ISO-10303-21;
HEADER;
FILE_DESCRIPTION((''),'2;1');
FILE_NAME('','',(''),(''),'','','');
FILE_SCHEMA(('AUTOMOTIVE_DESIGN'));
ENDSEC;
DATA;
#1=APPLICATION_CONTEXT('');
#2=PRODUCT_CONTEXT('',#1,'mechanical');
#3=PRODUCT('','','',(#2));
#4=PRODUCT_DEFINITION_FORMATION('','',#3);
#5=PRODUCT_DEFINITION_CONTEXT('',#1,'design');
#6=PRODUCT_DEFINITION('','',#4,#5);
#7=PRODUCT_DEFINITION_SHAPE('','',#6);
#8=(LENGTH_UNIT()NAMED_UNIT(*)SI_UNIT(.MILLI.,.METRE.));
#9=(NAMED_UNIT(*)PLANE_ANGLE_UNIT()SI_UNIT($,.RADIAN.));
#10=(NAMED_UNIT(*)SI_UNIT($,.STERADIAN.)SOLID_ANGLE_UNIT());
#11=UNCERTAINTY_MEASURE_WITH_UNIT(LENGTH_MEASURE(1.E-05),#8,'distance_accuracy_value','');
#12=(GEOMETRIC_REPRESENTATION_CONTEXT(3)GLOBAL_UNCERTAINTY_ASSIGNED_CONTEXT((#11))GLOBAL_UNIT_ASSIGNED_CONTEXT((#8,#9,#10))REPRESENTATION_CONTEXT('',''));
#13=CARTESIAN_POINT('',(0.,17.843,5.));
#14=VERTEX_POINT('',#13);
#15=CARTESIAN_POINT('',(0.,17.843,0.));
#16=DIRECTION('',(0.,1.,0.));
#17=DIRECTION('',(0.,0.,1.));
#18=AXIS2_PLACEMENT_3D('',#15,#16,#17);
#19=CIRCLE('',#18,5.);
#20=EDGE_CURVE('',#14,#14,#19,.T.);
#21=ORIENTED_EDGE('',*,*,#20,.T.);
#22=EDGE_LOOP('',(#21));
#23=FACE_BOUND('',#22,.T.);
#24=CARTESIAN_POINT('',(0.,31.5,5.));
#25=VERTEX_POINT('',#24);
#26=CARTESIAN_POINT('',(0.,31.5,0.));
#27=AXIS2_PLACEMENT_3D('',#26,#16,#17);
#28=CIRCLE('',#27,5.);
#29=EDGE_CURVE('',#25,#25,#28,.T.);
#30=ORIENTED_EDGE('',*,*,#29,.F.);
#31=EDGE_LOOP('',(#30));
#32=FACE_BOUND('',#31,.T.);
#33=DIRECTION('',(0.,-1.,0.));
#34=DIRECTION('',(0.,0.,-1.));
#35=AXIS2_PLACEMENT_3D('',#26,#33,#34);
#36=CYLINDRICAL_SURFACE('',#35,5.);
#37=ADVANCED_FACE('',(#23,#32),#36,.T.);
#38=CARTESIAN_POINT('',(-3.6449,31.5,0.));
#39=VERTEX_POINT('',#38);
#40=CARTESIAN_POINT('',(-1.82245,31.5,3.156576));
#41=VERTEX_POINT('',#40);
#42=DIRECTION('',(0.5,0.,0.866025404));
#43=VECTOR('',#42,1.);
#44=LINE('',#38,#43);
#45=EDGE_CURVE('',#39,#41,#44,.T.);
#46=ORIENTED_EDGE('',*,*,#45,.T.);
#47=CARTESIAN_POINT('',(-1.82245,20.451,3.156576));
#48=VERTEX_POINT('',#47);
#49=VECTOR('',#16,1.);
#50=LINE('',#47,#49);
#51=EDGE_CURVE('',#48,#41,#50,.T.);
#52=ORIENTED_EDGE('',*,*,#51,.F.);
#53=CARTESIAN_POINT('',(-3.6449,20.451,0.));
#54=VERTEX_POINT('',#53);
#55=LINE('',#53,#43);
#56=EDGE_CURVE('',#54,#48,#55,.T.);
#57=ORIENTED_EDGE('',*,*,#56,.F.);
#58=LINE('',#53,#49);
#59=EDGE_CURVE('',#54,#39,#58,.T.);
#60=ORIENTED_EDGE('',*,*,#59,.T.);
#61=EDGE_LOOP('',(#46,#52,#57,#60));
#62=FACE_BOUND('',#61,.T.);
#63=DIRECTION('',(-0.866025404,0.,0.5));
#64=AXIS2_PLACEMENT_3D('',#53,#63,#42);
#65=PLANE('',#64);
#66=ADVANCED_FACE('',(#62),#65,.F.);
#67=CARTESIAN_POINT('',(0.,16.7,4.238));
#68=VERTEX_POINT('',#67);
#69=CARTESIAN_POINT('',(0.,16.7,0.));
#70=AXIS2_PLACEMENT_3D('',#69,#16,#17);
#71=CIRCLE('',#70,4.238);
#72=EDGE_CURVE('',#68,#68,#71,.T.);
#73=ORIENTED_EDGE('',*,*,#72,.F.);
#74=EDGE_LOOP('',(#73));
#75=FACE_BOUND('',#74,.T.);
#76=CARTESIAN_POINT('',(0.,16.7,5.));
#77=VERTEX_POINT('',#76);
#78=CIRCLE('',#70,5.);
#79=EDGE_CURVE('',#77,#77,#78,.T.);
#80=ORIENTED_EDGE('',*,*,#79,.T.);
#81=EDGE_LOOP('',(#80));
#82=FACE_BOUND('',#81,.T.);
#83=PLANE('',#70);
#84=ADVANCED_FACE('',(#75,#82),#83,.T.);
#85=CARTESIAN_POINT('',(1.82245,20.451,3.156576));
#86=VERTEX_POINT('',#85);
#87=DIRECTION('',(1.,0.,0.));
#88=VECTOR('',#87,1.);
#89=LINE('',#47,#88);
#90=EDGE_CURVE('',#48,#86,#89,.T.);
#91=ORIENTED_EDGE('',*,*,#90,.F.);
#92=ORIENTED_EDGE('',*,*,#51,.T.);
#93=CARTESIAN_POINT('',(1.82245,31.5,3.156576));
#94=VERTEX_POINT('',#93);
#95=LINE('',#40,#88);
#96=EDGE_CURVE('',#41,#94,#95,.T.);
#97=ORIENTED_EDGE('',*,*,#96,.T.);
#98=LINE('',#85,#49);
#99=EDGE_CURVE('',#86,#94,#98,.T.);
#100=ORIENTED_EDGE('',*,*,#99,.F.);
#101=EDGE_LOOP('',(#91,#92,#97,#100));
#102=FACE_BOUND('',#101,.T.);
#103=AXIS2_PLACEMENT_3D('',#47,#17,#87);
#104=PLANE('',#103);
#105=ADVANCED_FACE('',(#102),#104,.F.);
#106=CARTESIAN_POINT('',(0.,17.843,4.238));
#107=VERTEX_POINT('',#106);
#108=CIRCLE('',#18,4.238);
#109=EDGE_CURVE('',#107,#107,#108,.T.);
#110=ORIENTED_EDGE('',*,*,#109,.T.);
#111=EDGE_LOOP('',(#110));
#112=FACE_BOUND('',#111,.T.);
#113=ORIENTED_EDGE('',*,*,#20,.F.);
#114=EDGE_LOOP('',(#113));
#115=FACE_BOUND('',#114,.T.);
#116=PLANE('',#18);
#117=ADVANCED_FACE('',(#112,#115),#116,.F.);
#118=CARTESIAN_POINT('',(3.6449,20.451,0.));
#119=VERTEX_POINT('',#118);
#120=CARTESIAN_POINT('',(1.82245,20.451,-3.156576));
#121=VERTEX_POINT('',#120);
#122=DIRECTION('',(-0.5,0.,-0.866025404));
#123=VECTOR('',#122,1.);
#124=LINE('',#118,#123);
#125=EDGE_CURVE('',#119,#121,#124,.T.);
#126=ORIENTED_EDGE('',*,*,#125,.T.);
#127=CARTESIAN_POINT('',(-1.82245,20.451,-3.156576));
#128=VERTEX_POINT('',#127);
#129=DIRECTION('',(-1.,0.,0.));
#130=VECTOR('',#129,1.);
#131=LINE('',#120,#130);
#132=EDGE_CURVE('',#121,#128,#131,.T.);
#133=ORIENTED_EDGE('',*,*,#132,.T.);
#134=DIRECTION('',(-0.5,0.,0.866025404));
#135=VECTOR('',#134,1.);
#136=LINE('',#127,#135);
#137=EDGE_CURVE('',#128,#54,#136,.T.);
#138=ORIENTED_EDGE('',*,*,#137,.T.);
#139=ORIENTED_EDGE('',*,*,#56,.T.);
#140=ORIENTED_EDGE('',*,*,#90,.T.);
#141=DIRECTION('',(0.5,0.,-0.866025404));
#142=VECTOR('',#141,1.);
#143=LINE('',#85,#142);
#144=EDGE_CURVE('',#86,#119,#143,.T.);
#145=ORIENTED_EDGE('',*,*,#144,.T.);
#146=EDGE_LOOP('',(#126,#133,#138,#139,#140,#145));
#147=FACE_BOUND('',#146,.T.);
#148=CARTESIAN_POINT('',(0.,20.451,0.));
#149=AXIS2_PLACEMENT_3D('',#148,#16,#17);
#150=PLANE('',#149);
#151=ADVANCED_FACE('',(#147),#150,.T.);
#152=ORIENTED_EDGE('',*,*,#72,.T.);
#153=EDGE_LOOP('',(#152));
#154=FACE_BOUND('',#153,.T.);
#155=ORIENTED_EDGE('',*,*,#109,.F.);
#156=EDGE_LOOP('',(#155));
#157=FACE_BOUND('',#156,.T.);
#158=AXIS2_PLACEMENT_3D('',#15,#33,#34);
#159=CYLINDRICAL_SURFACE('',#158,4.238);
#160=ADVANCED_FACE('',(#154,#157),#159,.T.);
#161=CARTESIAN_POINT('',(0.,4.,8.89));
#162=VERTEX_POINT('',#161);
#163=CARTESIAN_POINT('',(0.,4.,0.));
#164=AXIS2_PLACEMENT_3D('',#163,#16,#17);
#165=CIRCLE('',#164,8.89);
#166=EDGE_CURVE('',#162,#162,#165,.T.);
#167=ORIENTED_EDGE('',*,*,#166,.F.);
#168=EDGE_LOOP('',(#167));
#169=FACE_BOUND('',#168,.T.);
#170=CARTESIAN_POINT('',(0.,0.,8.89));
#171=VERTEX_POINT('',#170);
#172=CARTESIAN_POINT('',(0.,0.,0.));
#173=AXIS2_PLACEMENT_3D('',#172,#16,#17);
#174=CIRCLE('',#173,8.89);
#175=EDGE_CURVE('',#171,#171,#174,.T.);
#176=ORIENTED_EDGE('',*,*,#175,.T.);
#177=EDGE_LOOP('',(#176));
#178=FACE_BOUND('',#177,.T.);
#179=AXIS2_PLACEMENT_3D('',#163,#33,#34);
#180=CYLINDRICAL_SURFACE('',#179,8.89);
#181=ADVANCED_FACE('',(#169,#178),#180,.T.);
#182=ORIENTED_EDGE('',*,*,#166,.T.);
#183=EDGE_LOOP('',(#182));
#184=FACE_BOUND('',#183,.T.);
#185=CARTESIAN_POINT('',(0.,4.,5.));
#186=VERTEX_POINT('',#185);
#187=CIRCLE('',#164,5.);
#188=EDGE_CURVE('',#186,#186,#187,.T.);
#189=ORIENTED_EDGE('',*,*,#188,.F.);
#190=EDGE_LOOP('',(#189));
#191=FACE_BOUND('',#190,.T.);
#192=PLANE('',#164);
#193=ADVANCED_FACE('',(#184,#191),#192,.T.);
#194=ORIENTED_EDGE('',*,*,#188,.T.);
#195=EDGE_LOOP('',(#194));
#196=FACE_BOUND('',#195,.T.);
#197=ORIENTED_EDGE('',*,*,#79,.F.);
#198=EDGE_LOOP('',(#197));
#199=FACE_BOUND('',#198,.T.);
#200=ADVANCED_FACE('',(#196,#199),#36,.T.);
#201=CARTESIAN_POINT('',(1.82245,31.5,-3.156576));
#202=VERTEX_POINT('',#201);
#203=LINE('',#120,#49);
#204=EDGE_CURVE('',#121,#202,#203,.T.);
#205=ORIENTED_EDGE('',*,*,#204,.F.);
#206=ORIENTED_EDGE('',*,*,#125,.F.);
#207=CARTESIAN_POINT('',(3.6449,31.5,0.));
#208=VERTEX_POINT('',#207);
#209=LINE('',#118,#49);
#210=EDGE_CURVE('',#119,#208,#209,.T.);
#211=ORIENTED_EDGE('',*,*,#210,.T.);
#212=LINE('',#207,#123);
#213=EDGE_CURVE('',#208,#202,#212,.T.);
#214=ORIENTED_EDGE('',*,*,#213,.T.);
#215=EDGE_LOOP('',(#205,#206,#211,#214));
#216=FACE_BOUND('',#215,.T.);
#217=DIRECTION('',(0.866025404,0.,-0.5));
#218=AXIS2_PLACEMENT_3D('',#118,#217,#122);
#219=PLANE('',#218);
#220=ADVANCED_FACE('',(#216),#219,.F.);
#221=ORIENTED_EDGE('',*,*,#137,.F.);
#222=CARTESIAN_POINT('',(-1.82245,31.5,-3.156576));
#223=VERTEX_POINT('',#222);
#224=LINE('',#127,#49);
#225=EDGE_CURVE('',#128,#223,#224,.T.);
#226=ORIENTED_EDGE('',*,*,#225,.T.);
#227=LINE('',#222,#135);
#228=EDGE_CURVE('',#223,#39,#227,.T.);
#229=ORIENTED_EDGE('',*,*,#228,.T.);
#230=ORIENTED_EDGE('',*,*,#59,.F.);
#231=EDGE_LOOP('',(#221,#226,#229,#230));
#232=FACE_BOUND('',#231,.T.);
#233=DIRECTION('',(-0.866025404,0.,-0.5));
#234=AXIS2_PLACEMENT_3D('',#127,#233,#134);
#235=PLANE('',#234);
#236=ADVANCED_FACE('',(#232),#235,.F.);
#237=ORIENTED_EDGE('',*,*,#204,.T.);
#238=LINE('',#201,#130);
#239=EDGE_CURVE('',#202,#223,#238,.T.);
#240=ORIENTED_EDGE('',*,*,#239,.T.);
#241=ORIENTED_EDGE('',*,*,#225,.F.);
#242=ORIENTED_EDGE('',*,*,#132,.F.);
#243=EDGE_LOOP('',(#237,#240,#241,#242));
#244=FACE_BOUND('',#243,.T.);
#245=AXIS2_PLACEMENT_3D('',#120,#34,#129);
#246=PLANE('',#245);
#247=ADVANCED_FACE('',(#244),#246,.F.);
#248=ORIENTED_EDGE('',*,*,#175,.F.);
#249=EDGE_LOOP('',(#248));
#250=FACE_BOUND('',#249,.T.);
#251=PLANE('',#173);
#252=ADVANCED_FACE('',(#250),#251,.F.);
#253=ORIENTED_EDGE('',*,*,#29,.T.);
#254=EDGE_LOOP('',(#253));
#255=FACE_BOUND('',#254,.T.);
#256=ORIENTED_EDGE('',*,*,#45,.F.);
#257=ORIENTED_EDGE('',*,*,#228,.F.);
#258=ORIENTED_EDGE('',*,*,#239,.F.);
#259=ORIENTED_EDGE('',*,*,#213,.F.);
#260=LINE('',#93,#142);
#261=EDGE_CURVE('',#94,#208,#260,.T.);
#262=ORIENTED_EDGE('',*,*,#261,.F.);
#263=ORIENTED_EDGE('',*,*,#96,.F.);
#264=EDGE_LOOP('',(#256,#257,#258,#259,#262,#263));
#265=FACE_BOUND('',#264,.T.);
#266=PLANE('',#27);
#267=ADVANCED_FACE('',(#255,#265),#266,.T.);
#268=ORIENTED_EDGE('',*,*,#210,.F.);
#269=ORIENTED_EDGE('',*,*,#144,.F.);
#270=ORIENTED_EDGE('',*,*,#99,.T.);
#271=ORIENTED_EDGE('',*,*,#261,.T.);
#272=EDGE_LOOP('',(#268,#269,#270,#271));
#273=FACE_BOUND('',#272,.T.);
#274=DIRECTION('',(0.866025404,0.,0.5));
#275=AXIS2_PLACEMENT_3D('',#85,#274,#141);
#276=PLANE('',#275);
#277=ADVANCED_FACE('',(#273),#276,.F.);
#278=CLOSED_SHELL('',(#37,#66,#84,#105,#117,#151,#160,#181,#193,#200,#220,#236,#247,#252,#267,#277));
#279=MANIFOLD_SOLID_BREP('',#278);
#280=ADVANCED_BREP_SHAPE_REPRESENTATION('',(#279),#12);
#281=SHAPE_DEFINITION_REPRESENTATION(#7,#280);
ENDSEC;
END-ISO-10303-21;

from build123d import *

# Parameters (mm, degrees)
SKETCH1_R                                     = 8.89
TRAINGULAR_BASE_SIMPLIFIED_TO_CIRCLE_HE_DEPTH = 4
SKETCH2_R                                     = 5
DRIVE_SHAFT_DEPTH                             = 27.5
SKETCH4_R                                     = 5
SKETCH4_R_2                                   = 4.238
RETAINING_RING_SLOT_DEPTH                     = 1.143
HEX_SLOT_DEPTH                                = 11.049


with BuildPart() as part:
    # Sketch1 → Traingular base (simplified to circle here) (new body)
    with BuildSketch(Plane(origin=(0, 0, 0), x_dir=(1, 0, 0), z_dir=(0, 1, 0))):
        Circle(SKETCH1_R)
    extrude(amount=TRAINGULAR_BASE_SIMPLIFIED_TO_CIRCLE_HE_DEPTH)

    # Sketch2 → Drive shaft (add)
    with BuildSketch(Plane(origin=(0, 4, 0), x_dir=(1, 0, 0), z_dir=(0, 1, 0))):
        Circle(SKETCH2_R)
    extrude(amount=DRIVE_SHAFT_DEPTH)

    # Sketch4 → Retaining ring slot (cut)
    with BuildSketch(Plane(origin=(0, 16.7, 0), x_dir=(1, 0, 0), z_dir=(0, 1, 0))):
        Circle(SKETCH4_R)
        Circle(SKETCH4_R_2, mode=Mode.SUBTRACT)
    extrude(amount=RETAINING_RING_SLOT_DEPTH, mode=Mode.SUBTRACT)

    # Sketch5 → Hex slot (cut)
    with BuildSketch(Plane(origin=(0, 31.5, 0), x_dir=(1, 0, 0), z_dir=(0, 1, 0))):
        Polygon((3.6449, 0), (1.82245, 3.156575994), (-1.82245, 3.156575994), (-3.6449, 0), (-1.82245, -3.156575994), (1.82245, -3.156575994), align=None)
    extrude(amount=-HEX_SLOT_DEPTH, mode=Mode.SUBTRACT)


solid = part.part
